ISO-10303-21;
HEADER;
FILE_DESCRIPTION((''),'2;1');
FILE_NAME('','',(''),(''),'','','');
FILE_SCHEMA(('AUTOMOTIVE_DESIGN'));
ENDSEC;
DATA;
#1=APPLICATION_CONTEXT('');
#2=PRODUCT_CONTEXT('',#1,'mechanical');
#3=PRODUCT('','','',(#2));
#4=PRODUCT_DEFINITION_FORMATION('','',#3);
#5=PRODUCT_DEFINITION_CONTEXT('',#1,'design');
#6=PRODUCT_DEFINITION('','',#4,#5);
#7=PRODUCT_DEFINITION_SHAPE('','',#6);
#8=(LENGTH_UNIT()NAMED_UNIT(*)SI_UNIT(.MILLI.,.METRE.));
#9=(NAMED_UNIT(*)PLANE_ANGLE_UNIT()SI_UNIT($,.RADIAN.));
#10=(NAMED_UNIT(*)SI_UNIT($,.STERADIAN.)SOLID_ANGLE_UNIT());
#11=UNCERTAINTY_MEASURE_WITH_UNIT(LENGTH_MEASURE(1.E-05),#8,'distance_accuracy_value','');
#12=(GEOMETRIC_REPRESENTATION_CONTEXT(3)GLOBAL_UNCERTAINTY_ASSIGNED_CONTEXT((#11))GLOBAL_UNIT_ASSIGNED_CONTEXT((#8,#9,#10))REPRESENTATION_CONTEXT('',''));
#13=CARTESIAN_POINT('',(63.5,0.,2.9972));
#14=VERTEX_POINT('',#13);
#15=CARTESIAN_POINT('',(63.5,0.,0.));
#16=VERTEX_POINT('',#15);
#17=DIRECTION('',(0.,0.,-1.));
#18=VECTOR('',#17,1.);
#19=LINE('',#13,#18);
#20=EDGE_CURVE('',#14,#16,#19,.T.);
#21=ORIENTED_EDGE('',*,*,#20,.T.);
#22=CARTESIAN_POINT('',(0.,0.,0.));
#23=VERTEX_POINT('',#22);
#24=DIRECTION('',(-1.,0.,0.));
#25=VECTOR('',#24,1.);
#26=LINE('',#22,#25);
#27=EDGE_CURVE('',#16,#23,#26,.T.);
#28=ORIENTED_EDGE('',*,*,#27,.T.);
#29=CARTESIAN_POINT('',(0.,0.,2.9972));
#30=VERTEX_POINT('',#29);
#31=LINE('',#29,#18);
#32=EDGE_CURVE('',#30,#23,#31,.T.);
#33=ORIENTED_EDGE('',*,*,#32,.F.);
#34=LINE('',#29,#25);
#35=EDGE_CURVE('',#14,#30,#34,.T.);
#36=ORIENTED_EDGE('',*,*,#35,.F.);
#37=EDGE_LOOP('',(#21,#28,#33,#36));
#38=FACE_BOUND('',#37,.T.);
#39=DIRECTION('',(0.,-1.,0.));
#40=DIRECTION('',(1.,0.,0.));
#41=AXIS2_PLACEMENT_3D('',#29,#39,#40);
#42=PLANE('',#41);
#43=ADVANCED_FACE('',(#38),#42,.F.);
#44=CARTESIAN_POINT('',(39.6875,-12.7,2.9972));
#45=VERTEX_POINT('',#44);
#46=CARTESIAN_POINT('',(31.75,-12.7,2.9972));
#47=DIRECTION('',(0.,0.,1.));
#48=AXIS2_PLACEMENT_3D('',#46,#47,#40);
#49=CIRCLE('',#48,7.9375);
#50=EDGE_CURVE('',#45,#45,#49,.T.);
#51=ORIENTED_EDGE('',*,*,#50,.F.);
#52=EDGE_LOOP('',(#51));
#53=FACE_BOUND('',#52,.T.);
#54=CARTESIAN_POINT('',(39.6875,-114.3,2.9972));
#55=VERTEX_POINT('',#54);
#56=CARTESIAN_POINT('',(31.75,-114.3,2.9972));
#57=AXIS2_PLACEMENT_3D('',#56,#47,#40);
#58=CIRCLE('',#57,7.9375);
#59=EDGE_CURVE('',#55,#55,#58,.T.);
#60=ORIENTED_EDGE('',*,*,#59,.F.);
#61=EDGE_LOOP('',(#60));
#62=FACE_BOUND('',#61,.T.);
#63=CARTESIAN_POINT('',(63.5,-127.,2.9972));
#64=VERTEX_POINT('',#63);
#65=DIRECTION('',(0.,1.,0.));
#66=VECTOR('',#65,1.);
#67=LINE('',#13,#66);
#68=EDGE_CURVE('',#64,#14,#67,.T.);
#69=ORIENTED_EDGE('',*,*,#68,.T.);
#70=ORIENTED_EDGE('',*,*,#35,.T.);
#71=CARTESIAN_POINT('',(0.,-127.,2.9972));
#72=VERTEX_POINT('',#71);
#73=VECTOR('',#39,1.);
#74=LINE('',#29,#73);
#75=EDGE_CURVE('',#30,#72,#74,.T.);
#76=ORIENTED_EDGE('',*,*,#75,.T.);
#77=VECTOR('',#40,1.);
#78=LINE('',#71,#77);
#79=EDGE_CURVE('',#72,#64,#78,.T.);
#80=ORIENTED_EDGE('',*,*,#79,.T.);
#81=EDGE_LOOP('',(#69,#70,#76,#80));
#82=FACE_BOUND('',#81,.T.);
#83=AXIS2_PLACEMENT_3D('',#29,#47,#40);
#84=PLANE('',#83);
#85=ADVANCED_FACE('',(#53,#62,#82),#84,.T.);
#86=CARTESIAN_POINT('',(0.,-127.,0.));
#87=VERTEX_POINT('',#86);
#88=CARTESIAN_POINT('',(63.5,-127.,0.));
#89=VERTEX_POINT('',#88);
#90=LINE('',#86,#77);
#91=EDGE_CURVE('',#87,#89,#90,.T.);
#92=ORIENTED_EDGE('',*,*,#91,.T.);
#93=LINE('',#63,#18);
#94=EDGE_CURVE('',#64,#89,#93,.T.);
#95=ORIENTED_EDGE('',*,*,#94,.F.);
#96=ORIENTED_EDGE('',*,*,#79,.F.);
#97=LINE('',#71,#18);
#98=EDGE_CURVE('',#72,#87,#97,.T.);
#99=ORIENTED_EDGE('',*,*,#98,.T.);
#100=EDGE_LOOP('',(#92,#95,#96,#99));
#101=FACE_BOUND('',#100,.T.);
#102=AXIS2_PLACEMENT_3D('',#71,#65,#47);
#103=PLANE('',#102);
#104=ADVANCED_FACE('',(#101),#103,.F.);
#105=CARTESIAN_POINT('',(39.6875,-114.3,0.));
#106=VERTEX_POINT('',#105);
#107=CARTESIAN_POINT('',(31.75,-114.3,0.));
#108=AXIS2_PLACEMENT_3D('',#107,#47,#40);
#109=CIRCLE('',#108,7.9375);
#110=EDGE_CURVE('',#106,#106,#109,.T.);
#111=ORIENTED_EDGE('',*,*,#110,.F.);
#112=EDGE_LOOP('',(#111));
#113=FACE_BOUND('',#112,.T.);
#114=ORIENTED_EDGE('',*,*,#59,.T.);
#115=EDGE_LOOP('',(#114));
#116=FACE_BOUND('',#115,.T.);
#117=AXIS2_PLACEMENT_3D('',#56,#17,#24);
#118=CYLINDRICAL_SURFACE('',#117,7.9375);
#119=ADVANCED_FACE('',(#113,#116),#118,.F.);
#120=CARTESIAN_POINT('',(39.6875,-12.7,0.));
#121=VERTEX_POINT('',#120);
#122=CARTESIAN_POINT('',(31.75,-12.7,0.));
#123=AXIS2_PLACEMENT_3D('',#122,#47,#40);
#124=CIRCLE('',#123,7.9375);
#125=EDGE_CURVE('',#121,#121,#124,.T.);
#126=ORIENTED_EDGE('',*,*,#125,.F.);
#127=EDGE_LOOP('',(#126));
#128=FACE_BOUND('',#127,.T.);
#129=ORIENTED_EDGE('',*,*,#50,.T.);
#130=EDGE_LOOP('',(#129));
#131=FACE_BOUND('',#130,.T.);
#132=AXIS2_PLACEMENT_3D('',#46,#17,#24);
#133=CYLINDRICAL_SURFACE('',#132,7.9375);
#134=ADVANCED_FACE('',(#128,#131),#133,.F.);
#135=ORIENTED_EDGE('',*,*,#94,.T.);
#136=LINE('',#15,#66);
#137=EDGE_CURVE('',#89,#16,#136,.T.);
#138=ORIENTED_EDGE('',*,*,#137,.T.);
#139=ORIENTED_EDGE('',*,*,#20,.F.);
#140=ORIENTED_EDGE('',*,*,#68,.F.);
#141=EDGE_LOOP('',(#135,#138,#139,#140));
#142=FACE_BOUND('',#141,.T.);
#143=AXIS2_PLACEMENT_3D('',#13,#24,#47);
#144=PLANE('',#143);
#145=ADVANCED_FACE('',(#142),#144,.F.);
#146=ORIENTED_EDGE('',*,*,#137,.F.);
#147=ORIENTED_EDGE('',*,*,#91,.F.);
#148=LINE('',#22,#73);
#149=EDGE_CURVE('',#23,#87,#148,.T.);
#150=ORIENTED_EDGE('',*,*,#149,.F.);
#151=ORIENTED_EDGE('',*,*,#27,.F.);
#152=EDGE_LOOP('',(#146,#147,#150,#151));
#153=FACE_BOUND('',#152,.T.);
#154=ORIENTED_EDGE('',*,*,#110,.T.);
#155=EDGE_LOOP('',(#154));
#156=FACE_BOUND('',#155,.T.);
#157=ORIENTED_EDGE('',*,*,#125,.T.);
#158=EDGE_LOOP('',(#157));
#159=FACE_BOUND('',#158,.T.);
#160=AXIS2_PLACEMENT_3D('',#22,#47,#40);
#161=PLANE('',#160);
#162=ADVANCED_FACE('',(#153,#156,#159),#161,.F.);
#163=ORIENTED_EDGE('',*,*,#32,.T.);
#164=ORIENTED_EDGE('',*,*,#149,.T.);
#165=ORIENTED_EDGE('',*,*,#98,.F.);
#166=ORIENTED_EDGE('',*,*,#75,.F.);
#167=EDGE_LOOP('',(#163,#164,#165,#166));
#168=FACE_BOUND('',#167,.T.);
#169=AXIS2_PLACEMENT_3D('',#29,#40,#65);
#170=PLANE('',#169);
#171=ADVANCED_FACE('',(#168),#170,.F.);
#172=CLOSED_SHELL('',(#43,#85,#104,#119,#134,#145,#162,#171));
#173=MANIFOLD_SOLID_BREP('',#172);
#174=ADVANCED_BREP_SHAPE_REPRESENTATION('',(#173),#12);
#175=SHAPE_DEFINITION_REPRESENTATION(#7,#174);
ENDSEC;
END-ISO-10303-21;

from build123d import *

# Parameters (mm, degrees)
SKETCH1_W           = 63.5
SKETCH1_H           = 127
SKETCH1_R           = 7.9375
BOSS_EXTRUDE2_DEPTH = 2.9972


with BuildPart() as part:
    # Sketch1 → Boss-Extrude2 (new body)
    with BuildSketch(Plane.XY):
        with Locations((31.75, -63.5)):
            Rectangle(SKETCH1_W, SKETCH1_H)
        with Locations((31.75, -114.3)):
            Circle(SKETCH1_R, mode=Mode.SUBTRACT)
        with Locations((31.75, -12.7)):
            Circle(SKETCH1_R, mode=Mode.SUBTRACT)
    extrude(amount=BOSS_EXTRUDE2_DEPTH)


solid = part.part
